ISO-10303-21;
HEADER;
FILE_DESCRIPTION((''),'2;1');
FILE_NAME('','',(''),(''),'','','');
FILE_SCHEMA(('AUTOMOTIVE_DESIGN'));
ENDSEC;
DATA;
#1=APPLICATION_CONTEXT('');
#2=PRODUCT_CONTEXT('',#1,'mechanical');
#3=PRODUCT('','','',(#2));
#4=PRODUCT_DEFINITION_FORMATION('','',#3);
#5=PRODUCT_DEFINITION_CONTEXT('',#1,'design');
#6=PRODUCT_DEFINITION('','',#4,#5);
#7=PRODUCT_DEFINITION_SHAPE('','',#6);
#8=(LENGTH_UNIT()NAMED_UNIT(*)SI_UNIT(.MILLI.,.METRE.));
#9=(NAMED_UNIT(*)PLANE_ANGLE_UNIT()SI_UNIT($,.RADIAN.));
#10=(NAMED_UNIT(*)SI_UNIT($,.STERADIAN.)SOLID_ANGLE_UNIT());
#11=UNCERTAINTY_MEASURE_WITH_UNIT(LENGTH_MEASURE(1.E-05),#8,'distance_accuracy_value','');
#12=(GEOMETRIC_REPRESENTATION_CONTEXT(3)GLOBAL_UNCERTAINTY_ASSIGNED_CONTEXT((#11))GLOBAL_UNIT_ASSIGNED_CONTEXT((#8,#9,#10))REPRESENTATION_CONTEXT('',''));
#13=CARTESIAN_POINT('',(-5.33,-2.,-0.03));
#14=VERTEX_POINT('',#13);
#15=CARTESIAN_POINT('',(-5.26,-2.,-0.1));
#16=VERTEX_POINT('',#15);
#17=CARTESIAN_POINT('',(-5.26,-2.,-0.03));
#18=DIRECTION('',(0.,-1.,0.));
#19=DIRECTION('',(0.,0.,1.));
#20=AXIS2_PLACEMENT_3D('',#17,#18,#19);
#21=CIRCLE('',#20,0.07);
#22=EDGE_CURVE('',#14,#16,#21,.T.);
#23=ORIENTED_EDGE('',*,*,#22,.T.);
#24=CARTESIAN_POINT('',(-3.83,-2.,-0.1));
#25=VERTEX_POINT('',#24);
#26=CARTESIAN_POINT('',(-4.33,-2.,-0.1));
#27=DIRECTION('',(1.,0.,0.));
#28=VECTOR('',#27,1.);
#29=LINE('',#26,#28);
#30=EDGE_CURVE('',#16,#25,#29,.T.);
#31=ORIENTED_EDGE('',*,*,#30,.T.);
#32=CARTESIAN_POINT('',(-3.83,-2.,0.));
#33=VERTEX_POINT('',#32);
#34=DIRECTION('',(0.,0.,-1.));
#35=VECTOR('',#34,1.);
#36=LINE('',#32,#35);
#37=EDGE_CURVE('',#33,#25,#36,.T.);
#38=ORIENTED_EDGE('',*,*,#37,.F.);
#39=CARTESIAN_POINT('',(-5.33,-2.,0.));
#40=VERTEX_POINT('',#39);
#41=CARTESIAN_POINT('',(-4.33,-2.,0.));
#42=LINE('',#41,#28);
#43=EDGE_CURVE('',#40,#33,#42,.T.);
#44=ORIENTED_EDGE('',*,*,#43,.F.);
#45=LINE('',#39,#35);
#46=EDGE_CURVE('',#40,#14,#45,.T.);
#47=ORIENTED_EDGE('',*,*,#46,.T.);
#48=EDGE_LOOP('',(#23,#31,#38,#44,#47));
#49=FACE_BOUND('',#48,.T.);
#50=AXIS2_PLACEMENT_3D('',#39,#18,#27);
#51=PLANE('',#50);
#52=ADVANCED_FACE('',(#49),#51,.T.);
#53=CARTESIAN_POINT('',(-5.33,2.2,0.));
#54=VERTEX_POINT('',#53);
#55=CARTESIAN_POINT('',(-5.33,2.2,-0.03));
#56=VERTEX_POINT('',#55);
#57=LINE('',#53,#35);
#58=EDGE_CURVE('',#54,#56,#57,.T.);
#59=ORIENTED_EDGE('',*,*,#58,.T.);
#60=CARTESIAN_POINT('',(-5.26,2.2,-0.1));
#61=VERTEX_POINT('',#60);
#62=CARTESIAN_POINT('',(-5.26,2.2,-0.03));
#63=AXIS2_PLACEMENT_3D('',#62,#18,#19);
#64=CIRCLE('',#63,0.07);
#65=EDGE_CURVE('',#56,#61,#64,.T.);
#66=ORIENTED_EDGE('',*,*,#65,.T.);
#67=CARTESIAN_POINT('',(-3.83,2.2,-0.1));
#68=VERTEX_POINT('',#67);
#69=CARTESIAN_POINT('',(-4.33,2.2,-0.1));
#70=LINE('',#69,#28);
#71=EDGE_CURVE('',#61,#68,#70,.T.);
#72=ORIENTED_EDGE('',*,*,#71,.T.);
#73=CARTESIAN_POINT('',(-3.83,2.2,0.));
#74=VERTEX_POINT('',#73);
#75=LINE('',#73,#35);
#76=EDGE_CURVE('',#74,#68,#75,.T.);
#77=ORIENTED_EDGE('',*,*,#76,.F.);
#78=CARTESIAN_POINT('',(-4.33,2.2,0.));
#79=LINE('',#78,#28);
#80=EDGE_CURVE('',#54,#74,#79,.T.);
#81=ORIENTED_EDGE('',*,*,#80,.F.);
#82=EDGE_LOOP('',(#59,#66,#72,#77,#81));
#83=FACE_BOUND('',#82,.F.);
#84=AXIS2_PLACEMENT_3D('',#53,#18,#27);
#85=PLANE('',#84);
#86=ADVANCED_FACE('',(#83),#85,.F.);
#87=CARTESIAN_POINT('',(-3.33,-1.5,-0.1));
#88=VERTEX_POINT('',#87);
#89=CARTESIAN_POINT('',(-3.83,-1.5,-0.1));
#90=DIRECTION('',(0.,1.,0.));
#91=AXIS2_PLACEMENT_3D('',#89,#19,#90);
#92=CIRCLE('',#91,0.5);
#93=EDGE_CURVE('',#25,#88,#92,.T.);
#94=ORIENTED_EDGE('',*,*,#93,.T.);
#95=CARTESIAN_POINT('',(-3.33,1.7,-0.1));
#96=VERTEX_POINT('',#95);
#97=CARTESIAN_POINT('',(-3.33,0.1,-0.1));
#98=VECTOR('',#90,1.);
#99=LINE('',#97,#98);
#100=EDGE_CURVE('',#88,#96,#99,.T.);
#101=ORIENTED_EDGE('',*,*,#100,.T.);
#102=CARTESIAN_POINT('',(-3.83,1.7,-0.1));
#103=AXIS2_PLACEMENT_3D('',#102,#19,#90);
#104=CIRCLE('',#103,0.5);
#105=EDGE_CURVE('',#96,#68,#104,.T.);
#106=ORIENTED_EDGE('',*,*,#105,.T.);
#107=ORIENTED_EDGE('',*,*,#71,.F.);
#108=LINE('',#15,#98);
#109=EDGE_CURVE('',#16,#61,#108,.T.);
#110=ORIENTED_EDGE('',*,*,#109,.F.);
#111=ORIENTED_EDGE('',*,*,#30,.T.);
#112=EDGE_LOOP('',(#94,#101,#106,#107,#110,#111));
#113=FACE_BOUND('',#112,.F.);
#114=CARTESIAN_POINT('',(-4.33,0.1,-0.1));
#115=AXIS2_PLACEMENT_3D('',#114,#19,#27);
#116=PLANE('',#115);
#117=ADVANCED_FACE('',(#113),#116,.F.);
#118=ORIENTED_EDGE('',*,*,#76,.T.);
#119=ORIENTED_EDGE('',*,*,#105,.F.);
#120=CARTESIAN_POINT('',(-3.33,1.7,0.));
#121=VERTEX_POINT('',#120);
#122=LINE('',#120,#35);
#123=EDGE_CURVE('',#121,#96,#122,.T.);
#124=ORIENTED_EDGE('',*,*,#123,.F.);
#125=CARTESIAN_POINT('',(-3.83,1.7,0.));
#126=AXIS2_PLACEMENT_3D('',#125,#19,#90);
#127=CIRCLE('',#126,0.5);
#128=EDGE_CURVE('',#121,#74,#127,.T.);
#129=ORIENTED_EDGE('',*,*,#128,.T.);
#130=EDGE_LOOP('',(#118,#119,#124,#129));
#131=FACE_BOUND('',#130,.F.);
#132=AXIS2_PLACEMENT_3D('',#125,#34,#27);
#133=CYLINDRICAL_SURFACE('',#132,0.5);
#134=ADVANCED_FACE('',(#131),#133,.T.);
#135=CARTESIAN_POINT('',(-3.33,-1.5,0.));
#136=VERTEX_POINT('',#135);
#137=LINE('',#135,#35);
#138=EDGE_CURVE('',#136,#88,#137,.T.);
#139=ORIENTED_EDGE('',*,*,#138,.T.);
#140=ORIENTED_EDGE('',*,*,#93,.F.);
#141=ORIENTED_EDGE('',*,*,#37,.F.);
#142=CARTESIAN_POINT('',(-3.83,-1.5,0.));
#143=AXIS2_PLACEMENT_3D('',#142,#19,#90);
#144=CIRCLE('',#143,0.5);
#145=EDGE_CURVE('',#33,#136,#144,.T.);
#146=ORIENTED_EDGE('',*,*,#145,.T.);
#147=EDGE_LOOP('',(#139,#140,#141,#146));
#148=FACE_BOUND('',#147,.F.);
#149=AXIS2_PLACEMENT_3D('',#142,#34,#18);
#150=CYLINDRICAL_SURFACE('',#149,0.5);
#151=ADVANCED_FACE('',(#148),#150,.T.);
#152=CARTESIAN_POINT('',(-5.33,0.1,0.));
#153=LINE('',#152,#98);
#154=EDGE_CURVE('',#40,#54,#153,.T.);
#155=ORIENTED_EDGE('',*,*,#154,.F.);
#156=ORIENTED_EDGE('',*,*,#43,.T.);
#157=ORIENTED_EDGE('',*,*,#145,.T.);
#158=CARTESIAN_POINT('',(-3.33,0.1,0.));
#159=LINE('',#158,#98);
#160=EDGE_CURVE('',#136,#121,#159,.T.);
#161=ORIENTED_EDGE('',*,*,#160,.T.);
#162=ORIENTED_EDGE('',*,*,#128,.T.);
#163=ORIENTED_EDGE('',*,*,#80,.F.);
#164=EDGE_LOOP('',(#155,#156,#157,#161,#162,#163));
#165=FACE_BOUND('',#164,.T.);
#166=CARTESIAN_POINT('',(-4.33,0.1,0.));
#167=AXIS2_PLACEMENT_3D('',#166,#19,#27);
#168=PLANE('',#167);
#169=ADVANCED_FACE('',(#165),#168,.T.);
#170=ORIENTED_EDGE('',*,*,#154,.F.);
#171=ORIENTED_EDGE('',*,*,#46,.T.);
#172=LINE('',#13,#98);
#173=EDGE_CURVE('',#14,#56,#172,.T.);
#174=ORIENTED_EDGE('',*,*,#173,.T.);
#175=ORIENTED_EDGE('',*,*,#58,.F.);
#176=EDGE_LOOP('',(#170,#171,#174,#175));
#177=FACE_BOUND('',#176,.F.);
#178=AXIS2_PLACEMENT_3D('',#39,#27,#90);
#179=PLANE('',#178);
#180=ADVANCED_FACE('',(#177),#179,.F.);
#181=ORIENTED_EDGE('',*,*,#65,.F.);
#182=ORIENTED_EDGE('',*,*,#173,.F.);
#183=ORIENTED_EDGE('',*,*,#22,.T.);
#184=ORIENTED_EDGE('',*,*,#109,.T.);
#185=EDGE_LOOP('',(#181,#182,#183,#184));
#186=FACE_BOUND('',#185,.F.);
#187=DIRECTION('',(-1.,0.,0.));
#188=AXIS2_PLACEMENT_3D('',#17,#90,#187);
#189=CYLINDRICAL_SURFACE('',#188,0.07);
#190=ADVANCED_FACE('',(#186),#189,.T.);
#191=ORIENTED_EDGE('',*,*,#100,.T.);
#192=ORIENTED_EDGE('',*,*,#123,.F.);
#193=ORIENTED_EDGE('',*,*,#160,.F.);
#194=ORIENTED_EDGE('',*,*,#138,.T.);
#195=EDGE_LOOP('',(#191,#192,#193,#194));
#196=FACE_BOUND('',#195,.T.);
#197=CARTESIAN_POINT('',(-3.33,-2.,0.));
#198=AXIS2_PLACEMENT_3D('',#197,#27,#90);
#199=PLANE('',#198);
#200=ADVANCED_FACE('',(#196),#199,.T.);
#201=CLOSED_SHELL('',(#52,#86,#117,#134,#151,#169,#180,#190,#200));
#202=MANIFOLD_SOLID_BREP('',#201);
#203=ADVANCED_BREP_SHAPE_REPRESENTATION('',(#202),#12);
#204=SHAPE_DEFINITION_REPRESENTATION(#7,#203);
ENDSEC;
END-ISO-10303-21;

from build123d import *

# Parameters (mm, degrees)
SKETCH006_W  = 2
SKETCH006_H  = 4.2
PAD009_DEPTH = 0.1
FILLET010_R  = 0.07
FILLET011_R  = 0.5
FILLET012_R  = 0.5


with BuildPart() as part:
    # Sketch006 → Pad009 (new body)
    with BuildSketch(Plane.XY):
        with Locations((-4.33, 0.1)):
            Rectangle(SKETCH006_W, SKETCH006_H)
    extrude(amount=-PAD009_DEPTH)

    # Fillet010
    fillet010_edges = [part.edges().sort_by_distance(p)[0] for p in [
        (-5.33, 0.1, -0.1),
    ]]
    fillet(fillet010_edges, radius=FILLET010_R)

    # Fillet011
    fillet011_edges = [part.edges().sort_by_distance(p)[0] for p in [
        (-3.33, -2, -0.05),
    ]]
    fillet(fillet011_edges, radius=FILLET011_R)

    # Fillet012
    fillet012_edges = [part.edges().sort_by_distance(p)[0] for p in [
        (-3.33, 2.2, -0.05),
    ]]
    fillet(fillet012_edges, radius=FILLET012_R)


solid = part.part
